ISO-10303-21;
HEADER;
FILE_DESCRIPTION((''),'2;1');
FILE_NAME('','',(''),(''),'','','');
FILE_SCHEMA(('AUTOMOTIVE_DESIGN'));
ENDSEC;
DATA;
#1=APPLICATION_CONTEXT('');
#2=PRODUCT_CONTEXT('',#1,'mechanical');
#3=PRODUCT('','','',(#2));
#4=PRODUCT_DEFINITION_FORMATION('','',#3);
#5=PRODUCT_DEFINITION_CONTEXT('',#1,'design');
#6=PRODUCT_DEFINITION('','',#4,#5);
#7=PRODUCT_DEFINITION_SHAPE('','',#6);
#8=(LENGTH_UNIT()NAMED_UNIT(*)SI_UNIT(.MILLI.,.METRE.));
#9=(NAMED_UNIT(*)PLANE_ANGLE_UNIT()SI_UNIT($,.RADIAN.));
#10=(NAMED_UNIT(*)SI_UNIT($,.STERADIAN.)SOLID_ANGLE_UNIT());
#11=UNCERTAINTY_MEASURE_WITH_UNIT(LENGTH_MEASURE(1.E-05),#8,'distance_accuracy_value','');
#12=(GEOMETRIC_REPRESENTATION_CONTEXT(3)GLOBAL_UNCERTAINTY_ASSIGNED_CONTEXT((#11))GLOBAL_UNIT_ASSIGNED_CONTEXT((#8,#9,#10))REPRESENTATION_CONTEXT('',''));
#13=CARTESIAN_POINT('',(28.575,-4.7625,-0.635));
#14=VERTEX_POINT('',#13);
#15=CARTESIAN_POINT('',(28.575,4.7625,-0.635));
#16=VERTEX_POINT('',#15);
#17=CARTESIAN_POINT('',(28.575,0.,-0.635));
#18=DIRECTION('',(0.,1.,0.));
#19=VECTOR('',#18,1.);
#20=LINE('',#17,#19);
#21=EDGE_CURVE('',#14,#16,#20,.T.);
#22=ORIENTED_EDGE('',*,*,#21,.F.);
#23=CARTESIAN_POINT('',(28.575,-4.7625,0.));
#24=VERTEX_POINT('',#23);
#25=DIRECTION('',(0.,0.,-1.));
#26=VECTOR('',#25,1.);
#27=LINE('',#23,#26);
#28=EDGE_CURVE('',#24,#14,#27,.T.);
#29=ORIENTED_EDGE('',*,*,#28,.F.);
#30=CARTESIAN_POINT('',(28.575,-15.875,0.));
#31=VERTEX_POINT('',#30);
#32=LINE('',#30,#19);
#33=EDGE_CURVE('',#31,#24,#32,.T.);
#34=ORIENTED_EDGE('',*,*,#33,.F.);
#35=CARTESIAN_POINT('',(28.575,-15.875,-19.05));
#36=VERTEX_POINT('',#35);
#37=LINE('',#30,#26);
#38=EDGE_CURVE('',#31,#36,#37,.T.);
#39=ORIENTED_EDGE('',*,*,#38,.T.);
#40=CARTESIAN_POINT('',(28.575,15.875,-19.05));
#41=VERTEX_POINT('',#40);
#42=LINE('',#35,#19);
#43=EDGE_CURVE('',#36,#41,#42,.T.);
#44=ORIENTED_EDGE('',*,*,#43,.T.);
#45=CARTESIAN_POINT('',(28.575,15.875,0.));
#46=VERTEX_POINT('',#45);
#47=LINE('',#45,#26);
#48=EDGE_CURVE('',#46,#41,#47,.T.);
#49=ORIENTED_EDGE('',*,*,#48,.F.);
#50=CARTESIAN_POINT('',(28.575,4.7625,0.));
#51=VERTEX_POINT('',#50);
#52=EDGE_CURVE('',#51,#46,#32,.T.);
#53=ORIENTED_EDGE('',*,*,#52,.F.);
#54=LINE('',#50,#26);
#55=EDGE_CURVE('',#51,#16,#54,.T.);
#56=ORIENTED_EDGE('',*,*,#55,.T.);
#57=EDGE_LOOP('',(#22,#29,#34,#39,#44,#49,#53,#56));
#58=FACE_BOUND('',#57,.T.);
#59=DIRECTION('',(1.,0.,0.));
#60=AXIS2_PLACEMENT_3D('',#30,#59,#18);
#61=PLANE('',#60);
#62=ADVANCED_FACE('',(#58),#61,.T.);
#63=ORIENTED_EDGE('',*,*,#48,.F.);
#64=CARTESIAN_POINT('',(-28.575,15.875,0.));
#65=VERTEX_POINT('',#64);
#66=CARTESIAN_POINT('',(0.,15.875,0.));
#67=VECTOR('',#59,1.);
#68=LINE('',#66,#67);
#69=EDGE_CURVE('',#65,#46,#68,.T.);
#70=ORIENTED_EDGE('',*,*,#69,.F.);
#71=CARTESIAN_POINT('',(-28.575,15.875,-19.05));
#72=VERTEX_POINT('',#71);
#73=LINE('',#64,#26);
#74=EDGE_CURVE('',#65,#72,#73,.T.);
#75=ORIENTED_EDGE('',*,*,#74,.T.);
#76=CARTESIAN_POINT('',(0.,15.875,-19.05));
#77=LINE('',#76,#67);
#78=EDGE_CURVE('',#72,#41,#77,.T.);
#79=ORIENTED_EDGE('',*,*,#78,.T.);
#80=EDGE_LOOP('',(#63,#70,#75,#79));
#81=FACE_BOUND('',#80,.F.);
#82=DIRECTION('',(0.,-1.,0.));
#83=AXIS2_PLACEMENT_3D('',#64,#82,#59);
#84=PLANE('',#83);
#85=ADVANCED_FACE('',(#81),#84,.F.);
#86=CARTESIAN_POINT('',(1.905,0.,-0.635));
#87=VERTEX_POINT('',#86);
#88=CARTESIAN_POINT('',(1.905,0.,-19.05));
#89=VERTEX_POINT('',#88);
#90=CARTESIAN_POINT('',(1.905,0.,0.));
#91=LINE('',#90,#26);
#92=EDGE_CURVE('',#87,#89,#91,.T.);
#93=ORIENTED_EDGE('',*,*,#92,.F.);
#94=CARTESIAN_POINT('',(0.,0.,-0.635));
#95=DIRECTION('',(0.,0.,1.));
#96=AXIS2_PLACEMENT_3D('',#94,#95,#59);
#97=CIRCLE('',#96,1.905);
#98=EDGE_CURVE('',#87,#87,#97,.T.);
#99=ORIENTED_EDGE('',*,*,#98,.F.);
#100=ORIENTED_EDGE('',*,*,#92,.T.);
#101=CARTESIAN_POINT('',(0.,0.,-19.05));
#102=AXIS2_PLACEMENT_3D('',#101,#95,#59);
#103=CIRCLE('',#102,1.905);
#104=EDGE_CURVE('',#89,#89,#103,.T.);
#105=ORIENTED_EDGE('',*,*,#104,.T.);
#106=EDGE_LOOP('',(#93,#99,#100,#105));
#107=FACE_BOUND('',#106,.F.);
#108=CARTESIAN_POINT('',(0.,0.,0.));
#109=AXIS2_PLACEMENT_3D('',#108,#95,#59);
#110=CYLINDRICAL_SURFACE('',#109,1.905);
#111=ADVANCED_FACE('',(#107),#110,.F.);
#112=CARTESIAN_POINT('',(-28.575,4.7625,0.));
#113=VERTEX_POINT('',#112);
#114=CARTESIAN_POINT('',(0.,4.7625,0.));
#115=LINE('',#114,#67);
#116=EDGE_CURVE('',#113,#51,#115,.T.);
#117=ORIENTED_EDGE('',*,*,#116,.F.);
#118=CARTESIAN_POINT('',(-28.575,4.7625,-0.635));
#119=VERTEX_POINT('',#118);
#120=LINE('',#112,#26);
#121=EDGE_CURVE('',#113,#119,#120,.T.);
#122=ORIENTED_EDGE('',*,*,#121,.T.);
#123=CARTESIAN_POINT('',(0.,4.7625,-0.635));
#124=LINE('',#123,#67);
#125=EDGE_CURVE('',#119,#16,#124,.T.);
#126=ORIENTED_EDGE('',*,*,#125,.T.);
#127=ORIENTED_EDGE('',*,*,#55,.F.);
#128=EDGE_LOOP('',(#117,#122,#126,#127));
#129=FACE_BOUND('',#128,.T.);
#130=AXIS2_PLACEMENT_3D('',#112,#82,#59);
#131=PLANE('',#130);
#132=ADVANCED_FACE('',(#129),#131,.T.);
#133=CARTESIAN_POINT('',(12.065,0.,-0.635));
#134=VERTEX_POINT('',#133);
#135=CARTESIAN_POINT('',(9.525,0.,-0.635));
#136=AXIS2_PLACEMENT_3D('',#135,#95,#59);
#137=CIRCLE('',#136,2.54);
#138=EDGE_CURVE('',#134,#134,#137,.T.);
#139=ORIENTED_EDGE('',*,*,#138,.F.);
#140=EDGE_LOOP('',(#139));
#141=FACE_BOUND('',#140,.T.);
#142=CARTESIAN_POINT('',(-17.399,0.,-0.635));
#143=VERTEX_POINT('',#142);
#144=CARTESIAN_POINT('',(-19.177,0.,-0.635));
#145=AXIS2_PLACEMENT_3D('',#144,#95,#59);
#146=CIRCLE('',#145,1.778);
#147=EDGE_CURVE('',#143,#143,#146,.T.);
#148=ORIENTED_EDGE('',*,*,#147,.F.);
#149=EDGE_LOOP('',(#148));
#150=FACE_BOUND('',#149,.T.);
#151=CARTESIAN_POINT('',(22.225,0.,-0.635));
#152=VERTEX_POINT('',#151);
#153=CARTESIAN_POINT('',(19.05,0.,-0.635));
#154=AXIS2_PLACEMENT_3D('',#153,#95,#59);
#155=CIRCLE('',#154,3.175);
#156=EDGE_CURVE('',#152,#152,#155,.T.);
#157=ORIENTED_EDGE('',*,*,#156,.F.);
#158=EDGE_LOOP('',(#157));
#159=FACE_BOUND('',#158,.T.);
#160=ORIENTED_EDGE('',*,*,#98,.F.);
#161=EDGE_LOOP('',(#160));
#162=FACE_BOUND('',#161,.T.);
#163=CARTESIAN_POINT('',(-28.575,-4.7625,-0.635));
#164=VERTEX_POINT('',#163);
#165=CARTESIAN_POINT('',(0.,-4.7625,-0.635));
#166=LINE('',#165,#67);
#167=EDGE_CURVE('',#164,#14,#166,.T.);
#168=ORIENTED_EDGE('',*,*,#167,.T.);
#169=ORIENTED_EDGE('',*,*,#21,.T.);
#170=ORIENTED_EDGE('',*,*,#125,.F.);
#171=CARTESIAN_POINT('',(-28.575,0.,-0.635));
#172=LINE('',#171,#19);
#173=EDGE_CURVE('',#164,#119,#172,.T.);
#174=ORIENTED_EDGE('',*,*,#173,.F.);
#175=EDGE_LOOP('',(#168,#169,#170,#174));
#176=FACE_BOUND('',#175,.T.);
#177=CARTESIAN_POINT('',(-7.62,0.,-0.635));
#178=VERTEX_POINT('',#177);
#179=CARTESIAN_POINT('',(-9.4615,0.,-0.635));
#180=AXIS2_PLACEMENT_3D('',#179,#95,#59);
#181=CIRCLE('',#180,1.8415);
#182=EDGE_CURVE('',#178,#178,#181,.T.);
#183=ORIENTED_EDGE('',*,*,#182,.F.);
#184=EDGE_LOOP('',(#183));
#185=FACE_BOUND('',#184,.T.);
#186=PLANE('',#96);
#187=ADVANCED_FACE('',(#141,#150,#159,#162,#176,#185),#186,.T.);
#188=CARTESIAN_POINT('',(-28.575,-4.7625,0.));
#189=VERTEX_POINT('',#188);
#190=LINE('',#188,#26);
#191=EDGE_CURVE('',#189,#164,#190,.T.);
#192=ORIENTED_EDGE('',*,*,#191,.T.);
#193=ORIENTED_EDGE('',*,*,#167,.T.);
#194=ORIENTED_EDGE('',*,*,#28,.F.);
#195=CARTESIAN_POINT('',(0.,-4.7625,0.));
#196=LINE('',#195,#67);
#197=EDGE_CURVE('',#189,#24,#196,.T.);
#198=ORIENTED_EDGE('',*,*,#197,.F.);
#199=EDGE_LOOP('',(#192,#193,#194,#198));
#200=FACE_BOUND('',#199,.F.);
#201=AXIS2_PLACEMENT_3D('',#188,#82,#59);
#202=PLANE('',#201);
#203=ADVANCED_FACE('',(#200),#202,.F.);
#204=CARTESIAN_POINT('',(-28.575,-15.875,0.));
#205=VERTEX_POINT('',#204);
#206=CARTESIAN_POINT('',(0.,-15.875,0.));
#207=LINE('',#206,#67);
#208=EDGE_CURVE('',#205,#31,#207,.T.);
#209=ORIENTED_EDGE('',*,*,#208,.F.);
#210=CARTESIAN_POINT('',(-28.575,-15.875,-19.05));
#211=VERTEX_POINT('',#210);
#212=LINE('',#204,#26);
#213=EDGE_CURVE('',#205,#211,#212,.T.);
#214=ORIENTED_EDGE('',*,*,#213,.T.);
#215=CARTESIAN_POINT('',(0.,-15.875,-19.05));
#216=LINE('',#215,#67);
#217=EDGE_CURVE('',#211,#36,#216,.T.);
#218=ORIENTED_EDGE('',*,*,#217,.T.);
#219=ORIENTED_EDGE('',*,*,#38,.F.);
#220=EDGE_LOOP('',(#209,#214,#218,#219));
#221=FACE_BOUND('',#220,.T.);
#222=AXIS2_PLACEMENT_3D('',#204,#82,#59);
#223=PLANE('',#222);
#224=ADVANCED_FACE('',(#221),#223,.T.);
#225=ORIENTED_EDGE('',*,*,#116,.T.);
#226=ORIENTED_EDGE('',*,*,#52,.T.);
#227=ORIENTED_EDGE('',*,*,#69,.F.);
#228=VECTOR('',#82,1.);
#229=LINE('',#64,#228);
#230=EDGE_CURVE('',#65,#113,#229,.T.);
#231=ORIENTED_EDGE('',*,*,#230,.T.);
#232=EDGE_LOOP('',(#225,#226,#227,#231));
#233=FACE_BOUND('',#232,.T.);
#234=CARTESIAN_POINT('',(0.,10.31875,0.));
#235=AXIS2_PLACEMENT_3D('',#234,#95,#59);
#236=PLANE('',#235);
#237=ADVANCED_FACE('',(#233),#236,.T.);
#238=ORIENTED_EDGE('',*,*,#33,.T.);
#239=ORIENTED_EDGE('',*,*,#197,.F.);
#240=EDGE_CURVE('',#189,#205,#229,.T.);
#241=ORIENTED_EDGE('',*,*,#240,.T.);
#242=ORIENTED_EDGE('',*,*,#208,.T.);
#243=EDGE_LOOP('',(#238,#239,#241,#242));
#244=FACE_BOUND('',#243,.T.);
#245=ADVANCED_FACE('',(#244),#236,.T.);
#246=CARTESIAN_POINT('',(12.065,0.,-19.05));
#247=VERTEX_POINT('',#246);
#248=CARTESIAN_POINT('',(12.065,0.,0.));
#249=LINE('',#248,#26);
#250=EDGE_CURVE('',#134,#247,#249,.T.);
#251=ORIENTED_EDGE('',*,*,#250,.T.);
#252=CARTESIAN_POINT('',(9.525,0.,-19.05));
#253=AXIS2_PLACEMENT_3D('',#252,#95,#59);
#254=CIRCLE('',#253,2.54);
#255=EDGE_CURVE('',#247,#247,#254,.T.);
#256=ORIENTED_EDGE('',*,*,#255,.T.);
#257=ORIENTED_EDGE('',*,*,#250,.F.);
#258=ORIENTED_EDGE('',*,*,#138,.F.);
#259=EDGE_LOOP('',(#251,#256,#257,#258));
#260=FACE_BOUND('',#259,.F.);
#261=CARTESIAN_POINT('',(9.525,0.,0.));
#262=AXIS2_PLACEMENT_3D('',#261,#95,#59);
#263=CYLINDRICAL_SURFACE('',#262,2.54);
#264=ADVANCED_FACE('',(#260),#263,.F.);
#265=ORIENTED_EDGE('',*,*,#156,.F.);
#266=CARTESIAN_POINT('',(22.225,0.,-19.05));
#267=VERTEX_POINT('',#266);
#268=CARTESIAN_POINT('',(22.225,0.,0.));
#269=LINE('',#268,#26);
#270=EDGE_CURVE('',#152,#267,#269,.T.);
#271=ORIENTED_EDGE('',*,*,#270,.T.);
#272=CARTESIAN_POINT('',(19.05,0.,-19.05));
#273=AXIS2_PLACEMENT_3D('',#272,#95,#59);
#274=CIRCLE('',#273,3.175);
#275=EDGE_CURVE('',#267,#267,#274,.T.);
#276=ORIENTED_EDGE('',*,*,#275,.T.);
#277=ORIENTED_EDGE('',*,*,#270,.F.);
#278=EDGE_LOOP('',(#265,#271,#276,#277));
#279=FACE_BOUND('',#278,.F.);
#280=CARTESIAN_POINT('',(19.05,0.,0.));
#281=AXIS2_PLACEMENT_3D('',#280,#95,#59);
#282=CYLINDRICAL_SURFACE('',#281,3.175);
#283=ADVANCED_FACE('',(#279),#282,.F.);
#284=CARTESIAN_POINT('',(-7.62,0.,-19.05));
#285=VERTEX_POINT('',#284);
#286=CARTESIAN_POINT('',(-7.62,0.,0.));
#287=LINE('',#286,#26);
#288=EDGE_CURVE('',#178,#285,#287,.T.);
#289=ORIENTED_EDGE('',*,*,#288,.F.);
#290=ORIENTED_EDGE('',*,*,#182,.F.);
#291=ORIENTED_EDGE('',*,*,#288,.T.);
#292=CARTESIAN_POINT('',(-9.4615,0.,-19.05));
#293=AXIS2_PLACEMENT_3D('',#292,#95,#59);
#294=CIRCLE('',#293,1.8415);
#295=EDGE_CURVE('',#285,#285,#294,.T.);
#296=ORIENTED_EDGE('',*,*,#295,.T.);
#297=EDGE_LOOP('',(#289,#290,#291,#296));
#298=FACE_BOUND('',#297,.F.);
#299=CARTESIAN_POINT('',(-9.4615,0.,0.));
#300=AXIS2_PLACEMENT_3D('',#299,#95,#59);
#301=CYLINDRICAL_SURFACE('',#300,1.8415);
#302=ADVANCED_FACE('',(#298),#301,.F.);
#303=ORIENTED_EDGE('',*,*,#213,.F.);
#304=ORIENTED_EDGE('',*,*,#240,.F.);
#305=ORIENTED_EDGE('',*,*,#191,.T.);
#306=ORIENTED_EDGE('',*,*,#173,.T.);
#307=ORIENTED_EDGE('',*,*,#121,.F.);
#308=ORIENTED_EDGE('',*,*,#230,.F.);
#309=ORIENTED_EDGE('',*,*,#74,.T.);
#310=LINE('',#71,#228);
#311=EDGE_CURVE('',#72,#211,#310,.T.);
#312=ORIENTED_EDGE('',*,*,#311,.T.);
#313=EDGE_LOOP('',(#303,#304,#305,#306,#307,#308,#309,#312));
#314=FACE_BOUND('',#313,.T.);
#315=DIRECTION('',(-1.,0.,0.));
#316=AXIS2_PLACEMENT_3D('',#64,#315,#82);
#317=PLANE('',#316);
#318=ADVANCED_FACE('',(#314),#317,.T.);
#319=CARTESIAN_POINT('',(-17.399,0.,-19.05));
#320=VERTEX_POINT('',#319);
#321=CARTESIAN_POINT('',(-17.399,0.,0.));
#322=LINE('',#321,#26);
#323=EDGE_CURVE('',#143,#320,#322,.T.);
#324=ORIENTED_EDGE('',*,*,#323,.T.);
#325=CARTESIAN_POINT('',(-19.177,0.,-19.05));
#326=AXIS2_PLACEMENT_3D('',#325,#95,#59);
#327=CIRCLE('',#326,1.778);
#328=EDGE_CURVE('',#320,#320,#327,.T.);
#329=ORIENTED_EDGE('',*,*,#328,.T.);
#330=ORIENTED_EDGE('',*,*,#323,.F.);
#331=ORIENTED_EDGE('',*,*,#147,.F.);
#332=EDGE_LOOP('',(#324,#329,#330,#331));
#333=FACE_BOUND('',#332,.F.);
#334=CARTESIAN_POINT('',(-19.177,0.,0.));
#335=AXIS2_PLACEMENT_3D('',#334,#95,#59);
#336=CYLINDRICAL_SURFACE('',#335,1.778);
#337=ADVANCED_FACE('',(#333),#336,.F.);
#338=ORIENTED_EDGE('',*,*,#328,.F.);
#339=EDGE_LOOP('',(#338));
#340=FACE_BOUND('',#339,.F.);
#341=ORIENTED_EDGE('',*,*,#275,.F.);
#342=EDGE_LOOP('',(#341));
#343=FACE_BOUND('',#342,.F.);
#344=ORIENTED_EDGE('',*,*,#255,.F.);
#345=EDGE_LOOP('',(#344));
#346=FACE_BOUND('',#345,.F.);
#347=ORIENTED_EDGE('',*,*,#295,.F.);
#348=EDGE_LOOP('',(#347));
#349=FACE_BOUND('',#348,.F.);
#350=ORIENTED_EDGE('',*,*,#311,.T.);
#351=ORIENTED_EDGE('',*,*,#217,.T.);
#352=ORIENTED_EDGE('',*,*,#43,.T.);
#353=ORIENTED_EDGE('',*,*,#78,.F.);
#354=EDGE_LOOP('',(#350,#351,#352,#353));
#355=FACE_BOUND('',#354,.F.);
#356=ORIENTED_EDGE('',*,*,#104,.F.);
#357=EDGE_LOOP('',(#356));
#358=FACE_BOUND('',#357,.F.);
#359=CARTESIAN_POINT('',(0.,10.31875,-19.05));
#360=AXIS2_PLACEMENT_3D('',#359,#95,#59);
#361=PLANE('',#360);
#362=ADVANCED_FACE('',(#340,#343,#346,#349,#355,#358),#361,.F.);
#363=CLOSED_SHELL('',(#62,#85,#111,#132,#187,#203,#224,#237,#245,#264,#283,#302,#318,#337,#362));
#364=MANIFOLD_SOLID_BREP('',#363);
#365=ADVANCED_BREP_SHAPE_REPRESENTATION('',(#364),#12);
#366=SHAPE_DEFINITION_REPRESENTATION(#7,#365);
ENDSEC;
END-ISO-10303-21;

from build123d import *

# Parameters (mm, degrees)
F0_W     = 57.15
F0_H     = 11.1125
F0_H_2   = 9.525
F0_R     = 1.778
F0_R_2   = 1.8415
F0_R_3   = 1.905
F0_R_4   = 2.54
F0_R_5   = 3.175
F1_DEPTH = 19.05
F2_DEPTH = 0.635


with BuildPart() as f1:
    # F0 (on Top) → F1 (new body)
    with BuildSketch(Plane.XY):
        with Locations((0, 10.31875)):
            Rectangle(F0_W, F0_H)
        Rectangle(F0_W, F0_H_2)
        with Locations((-19.177, 0)):
            Circle(F0_R, mode=Mode.SUBTRACT)
        with Locations((-9.4615, 0)):
            Circle(F0_R_2, mode=Mode.SUBTRACT)
        Circle(F0_R_3, mode=Mode.SUBTRACT)
        with Locations((9.525, 0)):
            Circle(F0_R_4, mode=Mode.SUBTRACT)
        with Locations((19.05, 0)):
            Circle(F0_R_5, mode=Mode.SUBTRACT)
        with Locations((0, -10.31875)):
            Rectangle(F0_W, F0_H)
    extrude(amount=-F1_DEPTH)

    # F0 (on Top) → F2 (cut)
    with BuildSketch(Plane.XY):
        Rectangle(F0_W, F0_H_2)
        with Locations((-19.177, 0)):
            Circle(F0_R, mode=Mode.SUBTRACT)
        with Locations((-9.4615, 0)):
            Circle(F0_R_2, mode=Mode.SUBTRACT)
        Circle(F0_R_3, mode=Mode.SUBTRACT)
        with Locations((9.525, 0)):
            Circle(F0_R_4, mode=Mode.SUBTRACT)
        with Locations((19.05, 0)):
            Circle(F0_R_5, mode=Mode.SUBTRACT)
    extrude(amount=-F2_DEPTH, mode=Mode.SUBTRACT)


solid = f1.part
